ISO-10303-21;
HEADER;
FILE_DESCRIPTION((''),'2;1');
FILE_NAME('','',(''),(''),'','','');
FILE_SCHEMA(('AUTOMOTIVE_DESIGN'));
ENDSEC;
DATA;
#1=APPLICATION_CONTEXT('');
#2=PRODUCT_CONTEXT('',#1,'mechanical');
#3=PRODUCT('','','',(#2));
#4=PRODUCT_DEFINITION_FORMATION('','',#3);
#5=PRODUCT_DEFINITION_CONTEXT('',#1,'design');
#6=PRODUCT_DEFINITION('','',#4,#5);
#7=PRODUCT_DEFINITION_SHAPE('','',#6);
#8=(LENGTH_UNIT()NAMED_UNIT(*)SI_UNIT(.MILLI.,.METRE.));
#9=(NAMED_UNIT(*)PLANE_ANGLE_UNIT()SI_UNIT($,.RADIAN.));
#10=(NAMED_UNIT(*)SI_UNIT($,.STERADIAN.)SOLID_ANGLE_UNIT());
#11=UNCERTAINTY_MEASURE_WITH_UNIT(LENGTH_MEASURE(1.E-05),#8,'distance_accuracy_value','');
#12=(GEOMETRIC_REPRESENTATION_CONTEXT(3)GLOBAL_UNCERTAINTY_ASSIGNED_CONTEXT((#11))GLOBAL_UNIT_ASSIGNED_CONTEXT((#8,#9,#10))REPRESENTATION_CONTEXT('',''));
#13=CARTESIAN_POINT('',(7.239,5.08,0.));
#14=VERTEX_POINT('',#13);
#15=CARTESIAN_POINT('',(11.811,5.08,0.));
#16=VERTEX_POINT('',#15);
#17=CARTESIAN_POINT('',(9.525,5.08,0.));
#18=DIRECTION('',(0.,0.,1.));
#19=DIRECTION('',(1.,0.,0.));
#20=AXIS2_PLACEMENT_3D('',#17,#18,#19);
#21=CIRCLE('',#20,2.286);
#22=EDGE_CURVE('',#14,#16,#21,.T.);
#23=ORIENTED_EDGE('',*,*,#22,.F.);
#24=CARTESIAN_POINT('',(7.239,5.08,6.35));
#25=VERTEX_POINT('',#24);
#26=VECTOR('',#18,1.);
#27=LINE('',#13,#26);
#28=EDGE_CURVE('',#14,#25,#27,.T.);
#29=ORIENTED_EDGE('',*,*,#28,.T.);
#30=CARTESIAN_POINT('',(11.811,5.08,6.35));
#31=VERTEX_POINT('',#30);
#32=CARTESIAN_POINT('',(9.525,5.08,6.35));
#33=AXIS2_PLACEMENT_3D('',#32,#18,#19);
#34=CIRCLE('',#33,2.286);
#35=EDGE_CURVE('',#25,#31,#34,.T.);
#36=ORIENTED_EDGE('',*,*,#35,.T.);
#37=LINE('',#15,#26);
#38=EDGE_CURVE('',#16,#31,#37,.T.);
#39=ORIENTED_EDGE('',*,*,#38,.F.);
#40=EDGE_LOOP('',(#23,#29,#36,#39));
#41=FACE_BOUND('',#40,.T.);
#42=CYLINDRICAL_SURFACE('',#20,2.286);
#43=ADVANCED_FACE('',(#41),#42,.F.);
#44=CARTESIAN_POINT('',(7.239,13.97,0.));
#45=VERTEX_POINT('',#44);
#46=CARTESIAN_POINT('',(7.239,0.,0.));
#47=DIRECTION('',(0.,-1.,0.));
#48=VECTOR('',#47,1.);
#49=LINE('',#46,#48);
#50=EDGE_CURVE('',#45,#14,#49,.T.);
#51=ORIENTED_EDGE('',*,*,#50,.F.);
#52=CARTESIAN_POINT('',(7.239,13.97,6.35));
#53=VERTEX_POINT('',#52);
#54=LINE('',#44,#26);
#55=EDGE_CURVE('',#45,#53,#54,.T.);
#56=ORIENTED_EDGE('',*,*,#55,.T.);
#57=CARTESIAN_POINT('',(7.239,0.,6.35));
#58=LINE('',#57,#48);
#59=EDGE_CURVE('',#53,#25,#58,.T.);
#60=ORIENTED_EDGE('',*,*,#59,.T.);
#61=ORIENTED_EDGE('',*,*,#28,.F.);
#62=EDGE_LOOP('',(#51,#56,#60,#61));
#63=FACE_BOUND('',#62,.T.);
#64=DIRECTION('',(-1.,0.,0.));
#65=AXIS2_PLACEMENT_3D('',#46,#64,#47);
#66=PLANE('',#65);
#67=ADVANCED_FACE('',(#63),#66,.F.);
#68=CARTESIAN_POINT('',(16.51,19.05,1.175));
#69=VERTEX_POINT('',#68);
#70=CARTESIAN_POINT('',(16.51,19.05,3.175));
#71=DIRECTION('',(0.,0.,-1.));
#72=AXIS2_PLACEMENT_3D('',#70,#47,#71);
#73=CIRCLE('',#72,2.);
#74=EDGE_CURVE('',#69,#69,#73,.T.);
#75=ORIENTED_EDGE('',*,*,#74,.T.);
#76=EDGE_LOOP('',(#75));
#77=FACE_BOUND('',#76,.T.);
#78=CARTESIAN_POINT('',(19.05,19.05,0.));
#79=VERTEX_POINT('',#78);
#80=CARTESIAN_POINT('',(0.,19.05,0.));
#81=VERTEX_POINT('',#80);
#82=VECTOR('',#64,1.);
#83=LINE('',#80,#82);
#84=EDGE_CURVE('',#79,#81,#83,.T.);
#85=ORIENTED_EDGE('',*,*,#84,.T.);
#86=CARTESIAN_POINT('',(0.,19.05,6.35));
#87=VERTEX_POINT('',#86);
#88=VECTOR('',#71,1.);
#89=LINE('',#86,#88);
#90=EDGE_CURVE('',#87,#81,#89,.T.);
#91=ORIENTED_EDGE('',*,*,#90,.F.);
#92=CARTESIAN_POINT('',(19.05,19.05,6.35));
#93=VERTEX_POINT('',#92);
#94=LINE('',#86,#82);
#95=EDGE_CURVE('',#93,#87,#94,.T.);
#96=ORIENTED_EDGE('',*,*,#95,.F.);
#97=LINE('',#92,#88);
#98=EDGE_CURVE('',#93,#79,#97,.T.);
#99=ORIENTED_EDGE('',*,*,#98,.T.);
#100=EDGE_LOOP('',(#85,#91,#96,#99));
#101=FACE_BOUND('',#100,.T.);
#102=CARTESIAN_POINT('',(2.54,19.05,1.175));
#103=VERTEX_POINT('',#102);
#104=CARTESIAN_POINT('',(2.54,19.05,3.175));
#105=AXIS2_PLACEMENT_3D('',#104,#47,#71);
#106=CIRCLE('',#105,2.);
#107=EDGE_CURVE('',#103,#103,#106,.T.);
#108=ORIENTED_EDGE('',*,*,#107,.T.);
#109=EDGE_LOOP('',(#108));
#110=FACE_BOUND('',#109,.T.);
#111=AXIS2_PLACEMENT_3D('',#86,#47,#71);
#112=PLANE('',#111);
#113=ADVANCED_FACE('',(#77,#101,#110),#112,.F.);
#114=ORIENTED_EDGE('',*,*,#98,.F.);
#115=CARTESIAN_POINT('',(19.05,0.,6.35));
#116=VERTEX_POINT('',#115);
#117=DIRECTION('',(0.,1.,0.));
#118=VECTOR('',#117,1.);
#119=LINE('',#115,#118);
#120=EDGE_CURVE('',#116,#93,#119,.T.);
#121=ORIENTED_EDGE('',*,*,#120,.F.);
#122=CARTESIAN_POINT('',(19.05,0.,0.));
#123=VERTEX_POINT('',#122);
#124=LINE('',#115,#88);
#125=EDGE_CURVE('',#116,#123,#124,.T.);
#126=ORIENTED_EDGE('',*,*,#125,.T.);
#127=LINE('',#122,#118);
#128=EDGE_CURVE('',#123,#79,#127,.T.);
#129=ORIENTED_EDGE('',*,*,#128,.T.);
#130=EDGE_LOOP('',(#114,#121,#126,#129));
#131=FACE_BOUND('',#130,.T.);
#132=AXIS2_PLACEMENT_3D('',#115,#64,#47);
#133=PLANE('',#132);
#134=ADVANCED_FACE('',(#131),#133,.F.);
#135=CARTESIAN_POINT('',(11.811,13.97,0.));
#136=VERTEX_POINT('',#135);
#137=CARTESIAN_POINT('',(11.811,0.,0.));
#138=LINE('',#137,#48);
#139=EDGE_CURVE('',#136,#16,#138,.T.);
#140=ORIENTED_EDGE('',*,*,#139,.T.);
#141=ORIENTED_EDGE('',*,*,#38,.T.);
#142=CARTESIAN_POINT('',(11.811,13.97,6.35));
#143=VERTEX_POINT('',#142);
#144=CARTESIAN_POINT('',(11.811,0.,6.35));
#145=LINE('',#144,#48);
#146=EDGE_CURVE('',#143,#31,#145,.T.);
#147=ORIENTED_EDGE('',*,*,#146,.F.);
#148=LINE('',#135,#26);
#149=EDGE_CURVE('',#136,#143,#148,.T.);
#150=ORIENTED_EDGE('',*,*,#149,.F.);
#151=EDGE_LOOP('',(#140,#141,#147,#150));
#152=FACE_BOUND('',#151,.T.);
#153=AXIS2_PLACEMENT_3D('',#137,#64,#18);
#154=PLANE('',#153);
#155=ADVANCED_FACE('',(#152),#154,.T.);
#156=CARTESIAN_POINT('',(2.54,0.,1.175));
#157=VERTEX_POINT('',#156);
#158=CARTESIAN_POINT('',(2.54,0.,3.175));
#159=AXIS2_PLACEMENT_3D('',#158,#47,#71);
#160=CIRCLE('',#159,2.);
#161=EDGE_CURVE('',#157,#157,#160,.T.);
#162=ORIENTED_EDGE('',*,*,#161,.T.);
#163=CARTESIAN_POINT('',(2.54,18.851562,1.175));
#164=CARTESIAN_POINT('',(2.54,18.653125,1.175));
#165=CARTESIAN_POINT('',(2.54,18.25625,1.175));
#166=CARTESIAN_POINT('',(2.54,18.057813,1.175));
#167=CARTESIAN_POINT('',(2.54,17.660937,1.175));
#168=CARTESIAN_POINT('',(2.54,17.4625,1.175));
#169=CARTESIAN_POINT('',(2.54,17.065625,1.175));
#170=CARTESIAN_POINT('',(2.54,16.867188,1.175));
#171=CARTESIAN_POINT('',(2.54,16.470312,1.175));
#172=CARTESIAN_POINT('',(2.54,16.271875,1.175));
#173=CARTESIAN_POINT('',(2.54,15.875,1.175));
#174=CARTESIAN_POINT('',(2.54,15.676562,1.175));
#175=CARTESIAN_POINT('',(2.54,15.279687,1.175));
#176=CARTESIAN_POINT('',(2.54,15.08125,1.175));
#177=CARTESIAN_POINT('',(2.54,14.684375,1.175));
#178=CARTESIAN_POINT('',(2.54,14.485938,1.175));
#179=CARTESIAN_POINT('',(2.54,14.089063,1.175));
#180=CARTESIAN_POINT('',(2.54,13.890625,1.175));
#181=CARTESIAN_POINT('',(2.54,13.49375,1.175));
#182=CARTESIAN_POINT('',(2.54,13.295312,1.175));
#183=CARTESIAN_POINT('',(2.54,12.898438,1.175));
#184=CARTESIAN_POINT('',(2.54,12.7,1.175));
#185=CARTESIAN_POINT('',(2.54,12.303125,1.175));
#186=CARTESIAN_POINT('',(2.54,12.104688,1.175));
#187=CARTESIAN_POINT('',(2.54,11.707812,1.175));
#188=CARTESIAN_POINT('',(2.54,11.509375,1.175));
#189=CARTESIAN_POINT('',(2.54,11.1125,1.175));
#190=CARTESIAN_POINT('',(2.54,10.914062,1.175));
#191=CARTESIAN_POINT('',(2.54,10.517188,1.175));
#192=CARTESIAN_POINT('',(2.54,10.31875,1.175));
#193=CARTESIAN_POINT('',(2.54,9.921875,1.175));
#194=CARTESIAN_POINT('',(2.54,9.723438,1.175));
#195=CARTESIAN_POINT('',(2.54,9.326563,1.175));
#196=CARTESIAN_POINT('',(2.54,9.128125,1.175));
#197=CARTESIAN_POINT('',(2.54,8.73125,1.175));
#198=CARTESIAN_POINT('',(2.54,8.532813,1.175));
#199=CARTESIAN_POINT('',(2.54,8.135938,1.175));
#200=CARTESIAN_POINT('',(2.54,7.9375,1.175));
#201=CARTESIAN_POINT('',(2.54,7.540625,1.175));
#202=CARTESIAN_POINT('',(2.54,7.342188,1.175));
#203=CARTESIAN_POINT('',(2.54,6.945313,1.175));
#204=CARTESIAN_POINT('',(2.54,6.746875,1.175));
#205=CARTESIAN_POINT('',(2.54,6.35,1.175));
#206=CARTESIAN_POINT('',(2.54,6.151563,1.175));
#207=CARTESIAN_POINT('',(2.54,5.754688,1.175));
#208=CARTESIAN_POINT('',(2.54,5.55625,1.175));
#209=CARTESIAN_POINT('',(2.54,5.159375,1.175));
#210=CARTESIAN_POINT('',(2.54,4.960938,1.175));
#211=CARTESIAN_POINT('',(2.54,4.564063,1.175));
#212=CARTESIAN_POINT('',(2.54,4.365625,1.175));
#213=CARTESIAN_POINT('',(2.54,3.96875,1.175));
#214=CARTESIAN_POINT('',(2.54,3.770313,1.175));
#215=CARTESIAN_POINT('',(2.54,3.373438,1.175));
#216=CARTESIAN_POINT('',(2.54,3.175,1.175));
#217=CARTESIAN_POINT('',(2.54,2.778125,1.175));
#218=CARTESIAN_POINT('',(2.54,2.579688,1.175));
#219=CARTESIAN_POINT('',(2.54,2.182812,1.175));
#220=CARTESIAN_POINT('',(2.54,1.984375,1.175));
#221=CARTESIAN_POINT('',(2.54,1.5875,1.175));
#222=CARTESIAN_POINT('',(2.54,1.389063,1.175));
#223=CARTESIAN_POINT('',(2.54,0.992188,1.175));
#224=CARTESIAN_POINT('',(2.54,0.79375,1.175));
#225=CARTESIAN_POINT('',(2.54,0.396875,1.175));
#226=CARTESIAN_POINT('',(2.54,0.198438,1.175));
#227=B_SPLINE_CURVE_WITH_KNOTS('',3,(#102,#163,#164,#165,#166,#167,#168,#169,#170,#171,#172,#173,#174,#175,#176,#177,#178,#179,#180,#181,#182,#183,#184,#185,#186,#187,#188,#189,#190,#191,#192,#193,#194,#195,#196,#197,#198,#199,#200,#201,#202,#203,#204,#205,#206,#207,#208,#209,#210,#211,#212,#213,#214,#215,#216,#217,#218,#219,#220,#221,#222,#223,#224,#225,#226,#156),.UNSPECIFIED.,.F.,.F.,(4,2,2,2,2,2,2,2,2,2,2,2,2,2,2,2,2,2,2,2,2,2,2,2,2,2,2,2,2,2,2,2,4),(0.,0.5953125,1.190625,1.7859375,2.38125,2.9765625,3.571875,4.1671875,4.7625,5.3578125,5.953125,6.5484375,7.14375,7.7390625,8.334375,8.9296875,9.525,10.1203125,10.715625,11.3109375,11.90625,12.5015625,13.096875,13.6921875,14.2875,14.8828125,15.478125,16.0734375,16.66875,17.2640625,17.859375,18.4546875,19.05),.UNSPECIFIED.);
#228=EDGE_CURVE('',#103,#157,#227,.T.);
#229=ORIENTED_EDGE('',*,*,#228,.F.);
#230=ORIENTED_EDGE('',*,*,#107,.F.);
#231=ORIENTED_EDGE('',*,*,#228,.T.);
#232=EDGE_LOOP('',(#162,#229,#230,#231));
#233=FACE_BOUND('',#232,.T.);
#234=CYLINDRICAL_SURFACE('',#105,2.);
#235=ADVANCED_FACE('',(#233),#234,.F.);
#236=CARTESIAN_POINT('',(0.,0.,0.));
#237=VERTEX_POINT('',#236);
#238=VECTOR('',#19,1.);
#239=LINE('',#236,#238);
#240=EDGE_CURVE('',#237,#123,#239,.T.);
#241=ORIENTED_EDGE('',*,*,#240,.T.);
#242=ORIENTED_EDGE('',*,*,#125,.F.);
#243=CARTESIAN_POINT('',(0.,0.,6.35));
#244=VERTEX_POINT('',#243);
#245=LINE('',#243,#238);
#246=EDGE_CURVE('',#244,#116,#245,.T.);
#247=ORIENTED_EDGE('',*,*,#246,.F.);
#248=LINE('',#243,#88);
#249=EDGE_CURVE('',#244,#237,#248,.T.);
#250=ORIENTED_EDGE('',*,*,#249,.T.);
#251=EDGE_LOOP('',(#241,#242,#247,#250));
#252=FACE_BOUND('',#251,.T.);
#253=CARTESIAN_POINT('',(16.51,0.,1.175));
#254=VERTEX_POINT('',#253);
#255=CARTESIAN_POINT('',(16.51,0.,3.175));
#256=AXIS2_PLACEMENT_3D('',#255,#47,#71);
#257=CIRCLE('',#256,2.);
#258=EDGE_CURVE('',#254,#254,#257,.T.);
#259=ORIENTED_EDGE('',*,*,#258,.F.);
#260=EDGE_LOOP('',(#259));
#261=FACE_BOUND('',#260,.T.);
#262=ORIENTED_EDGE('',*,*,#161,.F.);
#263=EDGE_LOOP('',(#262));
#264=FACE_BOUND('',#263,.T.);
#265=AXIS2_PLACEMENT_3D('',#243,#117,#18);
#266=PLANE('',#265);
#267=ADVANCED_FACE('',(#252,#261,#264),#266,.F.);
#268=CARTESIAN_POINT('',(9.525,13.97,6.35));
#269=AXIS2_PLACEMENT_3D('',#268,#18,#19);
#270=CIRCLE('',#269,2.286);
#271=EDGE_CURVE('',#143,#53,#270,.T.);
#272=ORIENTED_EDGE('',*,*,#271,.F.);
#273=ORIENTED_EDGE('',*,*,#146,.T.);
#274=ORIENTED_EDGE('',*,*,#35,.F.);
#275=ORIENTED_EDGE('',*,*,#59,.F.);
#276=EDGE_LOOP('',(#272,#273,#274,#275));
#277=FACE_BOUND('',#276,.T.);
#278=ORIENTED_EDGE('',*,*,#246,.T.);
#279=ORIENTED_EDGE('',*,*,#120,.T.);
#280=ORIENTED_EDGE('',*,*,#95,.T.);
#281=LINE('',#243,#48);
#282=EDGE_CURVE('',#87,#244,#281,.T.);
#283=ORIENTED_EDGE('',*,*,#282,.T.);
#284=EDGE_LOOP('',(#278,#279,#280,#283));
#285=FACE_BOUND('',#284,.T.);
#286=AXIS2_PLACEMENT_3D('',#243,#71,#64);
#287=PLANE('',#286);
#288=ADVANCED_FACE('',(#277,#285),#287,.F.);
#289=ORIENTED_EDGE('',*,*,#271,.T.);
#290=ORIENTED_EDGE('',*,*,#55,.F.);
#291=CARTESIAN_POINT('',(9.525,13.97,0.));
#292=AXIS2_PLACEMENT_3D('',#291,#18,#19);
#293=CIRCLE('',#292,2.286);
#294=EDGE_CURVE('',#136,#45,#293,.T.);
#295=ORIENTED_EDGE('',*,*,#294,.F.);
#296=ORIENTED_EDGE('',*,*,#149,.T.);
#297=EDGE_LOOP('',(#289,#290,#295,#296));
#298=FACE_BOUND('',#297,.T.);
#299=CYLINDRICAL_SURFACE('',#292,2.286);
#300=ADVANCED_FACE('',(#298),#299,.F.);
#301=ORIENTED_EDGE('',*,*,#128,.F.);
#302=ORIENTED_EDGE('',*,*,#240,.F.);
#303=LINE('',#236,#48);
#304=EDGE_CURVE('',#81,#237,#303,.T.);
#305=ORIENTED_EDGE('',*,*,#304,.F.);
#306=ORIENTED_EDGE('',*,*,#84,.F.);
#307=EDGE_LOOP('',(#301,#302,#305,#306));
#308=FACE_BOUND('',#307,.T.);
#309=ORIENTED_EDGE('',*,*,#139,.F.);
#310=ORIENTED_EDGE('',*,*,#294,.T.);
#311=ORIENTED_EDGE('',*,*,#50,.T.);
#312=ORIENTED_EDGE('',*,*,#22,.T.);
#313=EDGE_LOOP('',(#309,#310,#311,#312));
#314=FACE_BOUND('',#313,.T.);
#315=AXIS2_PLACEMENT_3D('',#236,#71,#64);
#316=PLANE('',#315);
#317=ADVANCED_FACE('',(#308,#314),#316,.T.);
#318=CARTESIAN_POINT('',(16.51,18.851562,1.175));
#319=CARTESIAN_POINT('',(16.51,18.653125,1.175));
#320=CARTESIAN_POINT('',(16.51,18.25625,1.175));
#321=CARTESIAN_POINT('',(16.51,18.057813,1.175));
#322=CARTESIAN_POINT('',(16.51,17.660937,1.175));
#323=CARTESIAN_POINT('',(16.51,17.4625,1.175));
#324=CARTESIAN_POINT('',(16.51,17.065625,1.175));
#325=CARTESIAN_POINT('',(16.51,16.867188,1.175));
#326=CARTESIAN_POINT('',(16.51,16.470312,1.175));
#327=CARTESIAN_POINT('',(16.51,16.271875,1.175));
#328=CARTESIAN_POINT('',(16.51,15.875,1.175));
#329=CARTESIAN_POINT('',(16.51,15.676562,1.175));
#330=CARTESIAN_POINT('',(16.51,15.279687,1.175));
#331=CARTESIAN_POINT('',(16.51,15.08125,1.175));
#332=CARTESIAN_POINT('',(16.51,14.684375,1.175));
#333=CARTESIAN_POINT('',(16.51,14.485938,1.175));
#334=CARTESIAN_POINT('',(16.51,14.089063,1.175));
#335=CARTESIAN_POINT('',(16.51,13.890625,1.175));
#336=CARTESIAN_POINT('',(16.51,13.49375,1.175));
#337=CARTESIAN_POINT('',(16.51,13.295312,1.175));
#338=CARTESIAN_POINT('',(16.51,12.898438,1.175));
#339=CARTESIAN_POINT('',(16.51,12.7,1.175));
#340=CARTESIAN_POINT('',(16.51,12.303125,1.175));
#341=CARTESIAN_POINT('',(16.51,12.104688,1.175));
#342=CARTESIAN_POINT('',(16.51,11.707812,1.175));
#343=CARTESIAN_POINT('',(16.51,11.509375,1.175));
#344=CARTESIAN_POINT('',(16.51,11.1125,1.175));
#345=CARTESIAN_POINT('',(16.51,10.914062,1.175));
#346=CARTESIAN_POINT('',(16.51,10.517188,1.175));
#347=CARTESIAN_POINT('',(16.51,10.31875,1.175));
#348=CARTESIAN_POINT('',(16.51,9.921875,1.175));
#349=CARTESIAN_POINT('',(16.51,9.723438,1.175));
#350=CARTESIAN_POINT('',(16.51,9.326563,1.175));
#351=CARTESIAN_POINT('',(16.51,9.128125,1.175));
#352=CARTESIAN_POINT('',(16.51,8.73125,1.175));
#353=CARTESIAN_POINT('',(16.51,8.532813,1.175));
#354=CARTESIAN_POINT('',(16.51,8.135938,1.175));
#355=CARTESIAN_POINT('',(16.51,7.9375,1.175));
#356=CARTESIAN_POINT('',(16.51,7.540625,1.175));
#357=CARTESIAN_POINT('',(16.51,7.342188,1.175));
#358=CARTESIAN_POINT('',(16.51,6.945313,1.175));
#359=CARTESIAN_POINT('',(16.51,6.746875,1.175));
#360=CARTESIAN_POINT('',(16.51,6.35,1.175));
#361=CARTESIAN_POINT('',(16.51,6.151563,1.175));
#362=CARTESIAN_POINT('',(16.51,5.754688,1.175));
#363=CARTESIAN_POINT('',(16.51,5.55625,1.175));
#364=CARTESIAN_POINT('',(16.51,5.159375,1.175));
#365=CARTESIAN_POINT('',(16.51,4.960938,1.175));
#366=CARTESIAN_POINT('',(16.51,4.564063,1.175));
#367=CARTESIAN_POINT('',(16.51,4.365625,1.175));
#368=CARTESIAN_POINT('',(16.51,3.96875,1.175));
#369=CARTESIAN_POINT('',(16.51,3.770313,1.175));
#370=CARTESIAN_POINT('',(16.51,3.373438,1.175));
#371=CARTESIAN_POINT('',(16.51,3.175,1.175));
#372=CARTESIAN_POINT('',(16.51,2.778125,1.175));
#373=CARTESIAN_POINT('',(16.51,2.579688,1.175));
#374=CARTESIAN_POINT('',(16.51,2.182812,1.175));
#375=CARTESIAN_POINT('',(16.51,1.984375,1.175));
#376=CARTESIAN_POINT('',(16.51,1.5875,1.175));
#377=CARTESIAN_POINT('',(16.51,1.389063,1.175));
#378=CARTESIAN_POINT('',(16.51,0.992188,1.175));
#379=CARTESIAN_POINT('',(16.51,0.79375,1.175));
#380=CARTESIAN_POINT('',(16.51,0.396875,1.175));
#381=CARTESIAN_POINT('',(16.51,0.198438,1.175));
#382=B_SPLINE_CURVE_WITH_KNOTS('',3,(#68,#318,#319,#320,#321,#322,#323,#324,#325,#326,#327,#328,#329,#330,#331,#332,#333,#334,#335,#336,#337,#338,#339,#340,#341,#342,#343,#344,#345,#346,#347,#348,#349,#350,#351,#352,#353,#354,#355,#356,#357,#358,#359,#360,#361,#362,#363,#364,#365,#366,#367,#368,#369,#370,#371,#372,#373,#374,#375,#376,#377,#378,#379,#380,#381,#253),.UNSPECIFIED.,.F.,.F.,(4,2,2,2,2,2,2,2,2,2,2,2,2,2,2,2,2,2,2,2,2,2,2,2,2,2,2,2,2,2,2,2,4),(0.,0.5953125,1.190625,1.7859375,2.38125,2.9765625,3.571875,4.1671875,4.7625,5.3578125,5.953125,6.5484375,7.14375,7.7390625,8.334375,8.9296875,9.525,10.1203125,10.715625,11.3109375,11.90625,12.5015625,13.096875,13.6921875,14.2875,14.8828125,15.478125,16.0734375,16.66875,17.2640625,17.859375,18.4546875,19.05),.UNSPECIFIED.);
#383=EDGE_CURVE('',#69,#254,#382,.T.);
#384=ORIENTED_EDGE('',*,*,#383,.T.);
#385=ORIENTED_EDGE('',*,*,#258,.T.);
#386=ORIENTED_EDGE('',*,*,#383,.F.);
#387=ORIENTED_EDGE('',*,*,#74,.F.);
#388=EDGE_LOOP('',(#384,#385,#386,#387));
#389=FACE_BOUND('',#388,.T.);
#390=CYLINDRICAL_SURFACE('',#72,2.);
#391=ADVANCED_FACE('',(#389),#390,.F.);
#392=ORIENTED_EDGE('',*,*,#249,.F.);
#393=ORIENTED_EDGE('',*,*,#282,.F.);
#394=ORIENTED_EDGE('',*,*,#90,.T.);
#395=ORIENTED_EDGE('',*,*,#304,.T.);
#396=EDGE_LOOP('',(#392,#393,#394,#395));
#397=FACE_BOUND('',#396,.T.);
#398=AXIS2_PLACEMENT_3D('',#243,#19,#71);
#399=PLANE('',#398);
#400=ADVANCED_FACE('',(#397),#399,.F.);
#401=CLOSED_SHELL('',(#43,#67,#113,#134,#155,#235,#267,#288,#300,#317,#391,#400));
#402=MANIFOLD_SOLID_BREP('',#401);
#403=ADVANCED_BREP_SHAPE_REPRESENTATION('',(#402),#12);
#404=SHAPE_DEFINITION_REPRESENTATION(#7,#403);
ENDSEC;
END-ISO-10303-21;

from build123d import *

# Parameters (mm, degrees)
SKETCH1_W           = 19.05
SKETCH1_H           = 19.05
BOSS_EXTRUDE1_DEPTH = 6.35
SKETCH2_R           = 2
CUT_EXTRUDE1_DEPTH  = 28.679008291
CUT_EXTRUDE2_DEPTH  = 28.679008291


with BuildPart() as part:
    # Sketch1 → Boss-Extrude1 (new body)
    with BuildSketch(Plane.XY):
        with Locations((9.525, 9.525)):
            Rectangle(SKETCH1_W, SKETCH1_H)
    extrude(amount=BOSS_EXTRUDE1_DEPTH)

    # Sketch2 → Cut-Extrude1 (cut, through all)
    with BuildSketch(Plane.XZ):
        with Locations(Location((2.54, 3.175, 0), (0, 0, 270))):
            Circle(SKETCH2_R)
        with Locations(Location((16.51, 3.175, 0), (0, 0, 270))):
            Circle(SKETCH2_R)
    extrude(amount=-CUT_EXTRUDE1_DEPTH, mode=Mode.SUBTRACT)

    # Sketch3 → Cut-Extrude2 (cut, through all)
    with BuildSketch(Plane.XY.offset(6.35)):
        with BuildLine():
            ThreePointArc((11.811, 13.97), (9.525, 16.256), (7.239, 13.97))
            Line((7.239, 13.97), (11.811, 13.97))
        make_face()
        with BuildLine():
            Line((11.811, 13.97), (7.239, 13.97))
            ThreePointArc((7.239, 13.97), (9.525, 11.684), (11.811, 13.97))
        make_face()
        with BuildLine():
            ThreePointArc((11.811, 13.97), (9.525, 11.684), (7.239, 13.97))
            Line((7.239, 13.97), (7.239, 5.08))
            ThreePointArc((7.239, 5.08), (9.525, 7.366), (11.811, 5.08))
            Line((11.811, 5.08), (11.811, 13.97))
        make_face()
        with BuildLine():
            ThreePointArc((11.811, 5.08), (9.525, 7.366), (7.239, 5.08))
            Line((7.239, 5.08), (11.811, 5.08))
        make_face()
        with BuildLine():
            Line((11.811, 5.08), (7.239, 5.08))
            ThreePointArc((7.239, 5.08), (9.525, 2.794), (11.811, 5.08))
        make_face()
    extrude(amount=-CUT_EXTRUDE2_DEPTH, mode=Mode.SUBTRACT)


solid = part.part
